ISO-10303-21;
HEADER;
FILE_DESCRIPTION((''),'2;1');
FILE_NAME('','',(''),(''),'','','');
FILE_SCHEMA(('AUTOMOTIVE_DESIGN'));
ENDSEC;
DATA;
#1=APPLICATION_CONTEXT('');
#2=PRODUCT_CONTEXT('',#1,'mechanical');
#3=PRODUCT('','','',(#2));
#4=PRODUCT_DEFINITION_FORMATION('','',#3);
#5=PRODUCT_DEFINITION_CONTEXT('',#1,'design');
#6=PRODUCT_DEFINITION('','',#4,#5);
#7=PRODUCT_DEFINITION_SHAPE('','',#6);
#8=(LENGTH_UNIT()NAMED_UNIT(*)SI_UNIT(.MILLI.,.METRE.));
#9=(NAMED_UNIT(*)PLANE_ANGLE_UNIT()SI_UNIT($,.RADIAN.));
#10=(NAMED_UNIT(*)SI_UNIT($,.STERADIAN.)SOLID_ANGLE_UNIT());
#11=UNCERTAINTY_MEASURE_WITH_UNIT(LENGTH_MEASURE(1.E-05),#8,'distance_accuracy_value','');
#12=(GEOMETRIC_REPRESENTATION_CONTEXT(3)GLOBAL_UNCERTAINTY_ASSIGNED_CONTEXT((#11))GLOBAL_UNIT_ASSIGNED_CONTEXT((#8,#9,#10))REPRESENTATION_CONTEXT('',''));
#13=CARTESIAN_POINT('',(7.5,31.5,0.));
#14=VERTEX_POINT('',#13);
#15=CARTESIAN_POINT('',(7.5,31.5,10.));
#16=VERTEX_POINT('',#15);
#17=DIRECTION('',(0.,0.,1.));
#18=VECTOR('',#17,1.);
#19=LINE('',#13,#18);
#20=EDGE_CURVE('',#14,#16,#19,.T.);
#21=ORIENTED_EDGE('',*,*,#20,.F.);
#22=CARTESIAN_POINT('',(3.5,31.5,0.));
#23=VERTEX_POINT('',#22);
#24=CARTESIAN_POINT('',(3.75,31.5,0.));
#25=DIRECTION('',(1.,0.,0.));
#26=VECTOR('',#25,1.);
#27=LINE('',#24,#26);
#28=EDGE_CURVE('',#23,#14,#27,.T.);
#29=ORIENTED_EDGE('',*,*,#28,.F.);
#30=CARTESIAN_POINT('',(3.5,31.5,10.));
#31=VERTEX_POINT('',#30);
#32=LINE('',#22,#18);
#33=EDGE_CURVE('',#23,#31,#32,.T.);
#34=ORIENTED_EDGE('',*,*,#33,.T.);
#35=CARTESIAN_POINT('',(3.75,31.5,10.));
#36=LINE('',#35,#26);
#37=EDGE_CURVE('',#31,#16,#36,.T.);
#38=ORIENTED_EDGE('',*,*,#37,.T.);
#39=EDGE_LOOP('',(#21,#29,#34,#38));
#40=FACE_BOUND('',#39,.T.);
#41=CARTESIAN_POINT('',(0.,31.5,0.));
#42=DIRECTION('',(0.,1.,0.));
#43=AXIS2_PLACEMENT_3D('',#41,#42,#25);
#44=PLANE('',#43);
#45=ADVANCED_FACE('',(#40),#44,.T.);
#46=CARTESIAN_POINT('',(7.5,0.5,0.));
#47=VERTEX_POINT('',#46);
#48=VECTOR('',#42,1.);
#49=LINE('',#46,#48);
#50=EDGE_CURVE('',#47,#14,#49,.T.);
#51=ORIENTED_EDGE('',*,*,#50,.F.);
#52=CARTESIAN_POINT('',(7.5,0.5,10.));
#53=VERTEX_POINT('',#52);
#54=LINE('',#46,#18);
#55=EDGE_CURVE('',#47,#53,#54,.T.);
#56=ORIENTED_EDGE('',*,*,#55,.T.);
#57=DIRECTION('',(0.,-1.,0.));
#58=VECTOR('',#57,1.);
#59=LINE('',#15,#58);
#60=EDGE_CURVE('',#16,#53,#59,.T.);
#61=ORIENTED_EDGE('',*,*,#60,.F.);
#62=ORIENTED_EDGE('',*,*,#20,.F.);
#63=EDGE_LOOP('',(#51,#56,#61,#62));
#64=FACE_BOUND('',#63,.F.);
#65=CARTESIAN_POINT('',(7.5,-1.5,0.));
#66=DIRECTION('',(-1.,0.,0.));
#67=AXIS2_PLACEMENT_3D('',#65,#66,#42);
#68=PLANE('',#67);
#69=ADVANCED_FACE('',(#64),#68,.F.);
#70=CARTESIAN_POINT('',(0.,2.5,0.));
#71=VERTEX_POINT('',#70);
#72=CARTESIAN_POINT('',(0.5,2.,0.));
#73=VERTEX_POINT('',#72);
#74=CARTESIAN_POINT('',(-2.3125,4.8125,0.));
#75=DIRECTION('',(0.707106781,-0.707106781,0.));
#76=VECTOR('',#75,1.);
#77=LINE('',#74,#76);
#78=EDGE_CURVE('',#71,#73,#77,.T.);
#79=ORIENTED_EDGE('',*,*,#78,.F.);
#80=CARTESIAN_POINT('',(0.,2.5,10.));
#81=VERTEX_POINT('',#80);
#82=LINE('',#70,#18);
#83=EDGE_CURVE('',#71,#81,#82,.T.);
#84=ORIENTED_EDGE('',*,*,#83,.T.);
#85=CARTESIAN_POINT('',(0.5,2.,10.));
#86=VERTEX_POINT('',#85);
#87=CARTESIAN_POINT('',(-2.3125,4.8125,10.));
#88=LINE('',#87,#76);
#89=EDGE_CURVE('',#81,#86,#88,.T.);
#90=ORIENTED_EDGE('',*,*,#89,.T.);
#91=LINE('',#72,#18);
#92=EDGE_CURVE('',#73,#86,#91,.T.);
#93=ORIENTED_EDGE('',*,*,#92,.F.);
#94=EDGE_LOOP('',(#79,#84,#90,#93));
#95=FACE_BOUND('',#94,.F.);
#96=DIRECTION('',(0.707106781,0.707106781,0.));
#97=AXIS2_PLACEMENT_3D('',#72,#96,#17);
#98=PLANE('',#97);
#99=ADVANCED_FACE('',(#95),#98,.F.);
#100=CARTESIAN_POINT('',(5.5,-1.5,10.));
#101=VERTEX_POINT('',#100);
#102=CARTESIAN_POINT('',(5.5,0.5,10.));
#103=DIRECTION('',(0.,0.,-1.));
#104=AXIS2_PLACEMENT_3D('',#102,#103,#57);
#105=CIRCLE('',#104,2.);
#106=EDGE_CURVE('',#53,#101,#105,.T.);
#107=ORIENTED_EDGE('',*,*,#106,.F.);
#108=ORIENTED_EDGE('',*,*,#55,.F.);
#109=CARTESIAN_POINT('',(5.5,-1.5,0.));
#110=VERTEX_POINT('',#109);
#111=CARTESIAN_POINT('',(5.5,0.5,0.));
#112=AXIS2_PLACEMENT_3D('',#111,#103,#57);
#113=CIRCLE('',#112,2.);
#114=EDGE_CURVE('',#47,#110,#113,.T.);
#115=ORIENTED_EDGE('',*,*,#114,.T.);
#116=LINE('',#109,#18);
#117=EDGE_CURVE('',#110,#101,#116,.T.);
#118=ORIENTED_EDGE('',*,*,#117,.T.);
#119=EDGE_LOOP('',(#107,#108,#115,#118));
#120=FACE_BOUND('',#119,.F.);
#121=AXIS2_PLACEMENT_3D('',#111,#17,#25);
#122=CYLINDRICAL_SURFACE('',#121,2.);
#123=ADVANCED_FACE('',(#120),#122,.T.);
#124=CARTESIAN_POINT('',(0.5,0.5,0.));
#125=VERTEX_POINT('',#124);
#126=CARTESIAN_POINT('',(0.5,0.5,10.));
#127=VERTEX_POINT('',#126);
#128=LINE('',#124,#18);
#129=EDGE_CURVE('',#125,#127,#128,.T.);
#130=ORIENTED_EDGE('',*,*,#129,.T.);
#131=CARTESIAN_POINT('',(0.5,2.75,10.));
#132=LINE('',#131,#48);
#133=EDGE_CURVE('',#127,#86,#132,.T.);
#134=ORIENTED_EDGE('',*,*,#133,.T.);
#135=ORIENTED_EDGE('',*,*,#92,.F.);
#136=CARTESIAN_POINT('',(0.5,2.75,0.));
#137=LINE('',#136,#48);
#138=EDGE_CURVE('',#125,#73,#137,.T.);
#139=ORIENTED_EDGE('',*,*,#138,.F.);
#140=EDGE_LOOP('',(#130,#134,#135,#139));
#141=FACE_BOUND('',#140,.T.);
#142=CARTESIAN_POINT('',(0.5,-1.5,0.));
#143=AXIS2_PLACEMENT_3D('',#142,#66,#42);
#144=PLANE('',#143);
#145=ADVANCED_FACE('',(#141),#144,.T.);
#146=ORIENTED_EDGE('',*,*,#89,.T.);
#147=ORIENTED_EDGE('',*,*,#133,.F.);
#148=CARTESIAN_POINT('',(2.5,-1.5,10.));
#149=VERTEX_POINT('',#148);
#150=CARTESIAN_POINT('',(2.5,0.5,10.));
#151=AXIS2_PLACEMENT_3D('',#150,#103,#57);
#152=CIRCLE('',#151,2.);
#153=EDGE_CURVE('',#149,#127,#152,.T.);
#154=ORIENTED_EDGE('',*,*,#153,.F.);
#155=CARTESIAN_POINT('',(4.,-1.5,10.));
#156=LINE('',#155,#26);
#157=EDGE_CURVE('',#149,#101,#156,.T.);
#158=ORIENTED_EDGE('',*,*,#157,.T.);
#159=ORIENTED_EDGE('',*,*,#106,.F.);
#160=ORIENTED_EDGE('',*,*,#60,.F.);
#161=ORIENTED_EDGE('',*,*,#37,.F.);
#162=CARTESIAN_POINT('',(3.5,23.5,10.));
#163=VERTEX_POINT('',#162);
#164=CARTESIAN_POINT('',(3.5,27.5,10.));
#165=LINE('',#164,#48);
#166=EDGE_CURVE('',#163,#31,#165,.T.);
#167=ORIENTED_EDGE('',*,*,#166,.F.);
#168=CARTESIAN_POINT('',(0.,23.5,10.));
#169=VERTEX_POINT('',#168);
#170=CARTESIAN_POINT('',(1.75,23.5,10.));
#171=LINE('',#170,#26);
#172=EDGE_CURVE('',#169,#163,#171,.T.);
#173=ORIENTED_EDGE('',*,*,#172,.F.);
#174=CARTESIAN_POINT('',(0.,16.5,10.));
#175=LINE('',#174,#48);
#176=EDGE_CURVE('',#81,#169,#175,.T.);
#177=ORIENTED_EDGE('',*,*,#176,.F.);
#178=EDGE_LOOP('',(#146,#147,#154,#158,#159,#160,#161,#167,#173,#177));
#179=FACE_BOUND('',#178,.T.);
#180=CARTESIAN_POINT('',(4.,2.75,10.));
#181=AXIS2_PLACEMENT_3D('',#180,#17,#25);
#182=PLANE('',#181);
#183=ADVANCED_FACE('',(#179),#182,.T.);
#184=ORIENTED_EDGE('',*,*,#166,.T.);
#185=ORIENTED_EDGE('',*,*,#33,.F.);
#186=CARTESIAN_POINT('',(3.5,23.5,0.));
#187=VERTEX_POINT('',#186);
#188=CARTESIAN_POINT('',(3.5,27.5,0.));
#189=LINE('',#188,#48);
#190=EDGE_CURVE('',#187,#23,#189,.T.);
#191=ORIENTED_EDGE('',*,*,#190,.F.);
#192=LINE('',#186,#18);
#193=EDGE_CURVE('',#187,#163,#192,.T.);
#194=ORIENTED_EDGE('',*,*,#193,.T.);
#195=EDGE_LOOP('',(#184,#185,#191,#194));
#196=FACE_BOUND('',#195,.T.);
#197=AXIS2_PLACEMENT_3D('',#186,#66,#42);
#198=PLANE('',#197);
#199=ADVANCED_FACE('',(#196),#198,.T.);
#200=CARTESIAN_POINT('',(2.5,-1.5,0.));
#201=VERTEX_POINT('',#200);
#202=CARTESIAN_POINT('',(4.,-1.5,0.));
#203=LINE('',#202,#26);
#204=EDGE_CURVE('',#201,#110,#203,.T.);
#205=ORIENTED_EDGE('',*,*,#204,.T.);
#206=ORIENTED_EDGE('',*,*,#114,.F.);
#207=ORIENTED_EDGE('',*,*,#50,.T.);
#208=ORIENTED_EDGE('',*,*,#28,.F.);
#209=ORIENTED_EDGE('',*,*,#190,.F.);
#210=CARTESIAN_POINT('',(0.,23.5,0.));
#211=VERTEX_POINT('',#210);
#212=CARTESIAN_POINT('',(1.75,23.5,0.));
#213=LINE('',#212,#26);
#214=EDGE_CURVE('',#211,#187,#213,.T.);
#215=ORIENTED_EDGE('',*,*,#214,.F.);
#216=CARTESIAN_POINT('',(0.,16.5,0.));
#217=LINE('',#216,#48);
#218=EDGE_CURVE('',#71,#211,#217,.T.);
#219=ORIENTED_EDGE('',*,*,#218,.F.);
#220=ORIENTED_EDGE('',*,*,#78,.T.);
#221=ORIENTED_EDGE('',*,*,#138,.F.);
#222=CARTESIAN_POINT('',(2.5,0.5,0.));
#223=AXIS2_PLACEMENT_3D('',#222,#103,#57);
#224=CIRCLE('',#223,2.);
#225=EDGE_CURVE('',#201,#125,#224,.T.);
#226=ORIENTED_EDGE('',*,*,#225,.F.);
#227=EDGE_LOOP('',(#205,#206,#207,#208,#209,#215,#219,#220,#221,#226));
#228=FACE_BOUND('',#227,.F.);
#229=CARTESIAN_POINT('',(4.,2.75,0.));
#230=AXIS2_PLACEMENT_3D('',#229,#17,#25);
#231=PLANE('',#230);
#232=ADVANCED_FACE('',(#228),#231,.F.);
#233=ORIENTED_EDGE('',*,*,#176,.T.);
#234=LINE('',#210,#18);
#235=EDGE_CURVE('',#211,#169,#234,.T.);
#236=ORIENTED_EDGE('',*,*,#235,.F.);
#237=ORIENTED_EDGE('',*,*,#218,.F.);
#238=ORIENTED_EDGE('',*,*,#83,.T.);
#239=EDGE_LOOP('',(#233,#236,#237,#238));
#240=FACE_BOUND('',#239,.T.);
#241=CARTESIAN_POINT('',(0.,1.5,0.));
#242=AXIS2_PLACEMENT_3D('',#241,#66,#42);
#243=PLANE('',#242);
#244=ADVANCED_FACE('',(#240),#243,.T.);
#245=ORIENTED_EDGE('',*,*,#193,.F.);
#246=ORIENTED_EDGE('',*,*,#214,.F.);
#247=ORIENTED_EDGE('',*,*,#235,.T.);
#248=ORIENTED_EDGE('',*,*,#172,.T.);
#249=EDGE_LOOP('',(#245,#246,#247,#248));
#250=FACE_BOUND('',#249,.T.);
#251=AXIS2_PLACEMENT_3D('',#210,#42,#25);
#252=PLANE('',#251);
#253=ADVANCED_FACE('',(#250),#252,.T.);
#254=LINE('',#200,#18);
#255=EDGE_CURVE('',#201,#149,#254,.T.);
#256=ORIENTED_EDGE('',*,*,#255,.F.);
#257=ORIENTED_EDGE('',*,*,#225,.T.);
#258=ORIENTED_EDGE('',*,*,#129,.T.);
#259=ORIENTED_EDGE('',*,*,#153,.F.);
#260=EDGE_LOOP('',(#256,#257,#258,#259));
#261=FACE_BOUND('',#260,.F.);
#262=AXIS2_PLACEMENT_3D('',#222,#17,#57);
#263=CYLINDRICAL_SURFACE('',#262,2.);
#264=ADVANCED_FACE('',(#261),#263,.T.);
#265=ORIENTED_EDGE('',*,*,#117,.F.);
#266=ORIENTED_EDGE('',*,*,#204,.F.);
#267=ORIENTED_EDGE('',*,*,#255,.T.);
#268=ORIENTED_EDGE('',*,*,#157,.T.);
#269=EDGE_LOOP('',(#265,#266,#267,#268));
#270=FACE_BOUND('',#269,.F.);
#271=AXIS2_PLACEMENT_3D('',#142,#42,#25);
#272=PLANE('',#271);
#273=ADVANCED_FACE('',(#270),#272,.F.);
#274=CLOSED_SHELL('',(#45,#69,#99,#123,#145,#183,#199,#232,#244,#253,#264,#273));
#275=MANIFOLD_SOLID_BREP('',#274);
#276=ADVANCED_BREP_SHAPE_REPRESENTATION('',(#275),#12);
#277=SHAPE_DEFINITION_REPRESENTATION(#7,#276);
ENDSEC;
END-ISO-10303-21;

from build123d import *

# Parameters (mm, degrees)
BOX005_W        = 7
BOX005_H        = 8.5
BOX005_DEPTH    = 10
CHAMFER001_SIZE = 2.5
FILLET001_R     = 2
BOX007_W        = 3.5
BOX007_H        = 8
BOX007_DEPTH    = 10
BOX006_W        = 7.5
BOX006_H        = 30
BOX006_DEPTH    = 10
CHAMFER002_SIZE = 1


with BuildPart() as fillet001:
    # Box005 → Box005 (new body)
    with BuildSketch(Plane(origin=(0.5, -1.5, 0), x_dir=(1, 0, 0), z_dir=(0, 0, 1))):
        with Locations((3.5, 4.25)):
            Rectangle(BOX005_W, BOX005_H)
    extrude(amount=BOX005_DEPTH)

    # Chamfer001
    chamfer001_edges = [fillet001.edges().sort_by_distance(p)[0] for p in [
        (7.5, 7, 5),
    ]]
    chamfer(chamfer001_edges, length=CHAMFER001_SIZE)

    # Fillet001
    fillet001_edges = [fillet001.edges().sort_by_distance(p)[0] for p in [
        (7.5, -1.5, 5),
        (0.5, -1.5, 5),
    ]]
    fillet(fillet001_edges, radius=FILLET001_R)


with BuildPart() as cube007:
    # Box007 → Box007 (new body)
    with BuildSketch(Plane(origin=(0, 23.5, 0), x_dir=(1, 0, 0), z_dir=(0, 0, 1))):
        with Locations((1.75, 4)):
            Rectangle(BOX007_W, BOX007_H)
    extrude(amount=BOX007_DEPTH)


with BuildPart() as base_org:
    # Box006 → Box006 (new body)
    with BuildSketch(Plane(origin=(0, 1.5, 0), x_dir=(1, 0, 0), z_dir=(0, 0, 1))):
        with Locations((3.75, 15)):
            Rectangle(BOX006_W, BOX006_H)
    extrude(amount=BOX006_DEPTH)

    # Chamfer002
    chamfer002_edges = [base_org.edges().sort_by_distance(p)[0] for p in [
        (0, 1.5, 5),
    ]]
    chamfer(chamfer002_edges, length=CHAMFER002_SIZE)

    # Cut: cut Cube007
    add(cube007.part, mode=Mode.SUBTRACT)

    # Fusion001: union Fillet001
    add(fillet001.part)


solid = base_org.part
